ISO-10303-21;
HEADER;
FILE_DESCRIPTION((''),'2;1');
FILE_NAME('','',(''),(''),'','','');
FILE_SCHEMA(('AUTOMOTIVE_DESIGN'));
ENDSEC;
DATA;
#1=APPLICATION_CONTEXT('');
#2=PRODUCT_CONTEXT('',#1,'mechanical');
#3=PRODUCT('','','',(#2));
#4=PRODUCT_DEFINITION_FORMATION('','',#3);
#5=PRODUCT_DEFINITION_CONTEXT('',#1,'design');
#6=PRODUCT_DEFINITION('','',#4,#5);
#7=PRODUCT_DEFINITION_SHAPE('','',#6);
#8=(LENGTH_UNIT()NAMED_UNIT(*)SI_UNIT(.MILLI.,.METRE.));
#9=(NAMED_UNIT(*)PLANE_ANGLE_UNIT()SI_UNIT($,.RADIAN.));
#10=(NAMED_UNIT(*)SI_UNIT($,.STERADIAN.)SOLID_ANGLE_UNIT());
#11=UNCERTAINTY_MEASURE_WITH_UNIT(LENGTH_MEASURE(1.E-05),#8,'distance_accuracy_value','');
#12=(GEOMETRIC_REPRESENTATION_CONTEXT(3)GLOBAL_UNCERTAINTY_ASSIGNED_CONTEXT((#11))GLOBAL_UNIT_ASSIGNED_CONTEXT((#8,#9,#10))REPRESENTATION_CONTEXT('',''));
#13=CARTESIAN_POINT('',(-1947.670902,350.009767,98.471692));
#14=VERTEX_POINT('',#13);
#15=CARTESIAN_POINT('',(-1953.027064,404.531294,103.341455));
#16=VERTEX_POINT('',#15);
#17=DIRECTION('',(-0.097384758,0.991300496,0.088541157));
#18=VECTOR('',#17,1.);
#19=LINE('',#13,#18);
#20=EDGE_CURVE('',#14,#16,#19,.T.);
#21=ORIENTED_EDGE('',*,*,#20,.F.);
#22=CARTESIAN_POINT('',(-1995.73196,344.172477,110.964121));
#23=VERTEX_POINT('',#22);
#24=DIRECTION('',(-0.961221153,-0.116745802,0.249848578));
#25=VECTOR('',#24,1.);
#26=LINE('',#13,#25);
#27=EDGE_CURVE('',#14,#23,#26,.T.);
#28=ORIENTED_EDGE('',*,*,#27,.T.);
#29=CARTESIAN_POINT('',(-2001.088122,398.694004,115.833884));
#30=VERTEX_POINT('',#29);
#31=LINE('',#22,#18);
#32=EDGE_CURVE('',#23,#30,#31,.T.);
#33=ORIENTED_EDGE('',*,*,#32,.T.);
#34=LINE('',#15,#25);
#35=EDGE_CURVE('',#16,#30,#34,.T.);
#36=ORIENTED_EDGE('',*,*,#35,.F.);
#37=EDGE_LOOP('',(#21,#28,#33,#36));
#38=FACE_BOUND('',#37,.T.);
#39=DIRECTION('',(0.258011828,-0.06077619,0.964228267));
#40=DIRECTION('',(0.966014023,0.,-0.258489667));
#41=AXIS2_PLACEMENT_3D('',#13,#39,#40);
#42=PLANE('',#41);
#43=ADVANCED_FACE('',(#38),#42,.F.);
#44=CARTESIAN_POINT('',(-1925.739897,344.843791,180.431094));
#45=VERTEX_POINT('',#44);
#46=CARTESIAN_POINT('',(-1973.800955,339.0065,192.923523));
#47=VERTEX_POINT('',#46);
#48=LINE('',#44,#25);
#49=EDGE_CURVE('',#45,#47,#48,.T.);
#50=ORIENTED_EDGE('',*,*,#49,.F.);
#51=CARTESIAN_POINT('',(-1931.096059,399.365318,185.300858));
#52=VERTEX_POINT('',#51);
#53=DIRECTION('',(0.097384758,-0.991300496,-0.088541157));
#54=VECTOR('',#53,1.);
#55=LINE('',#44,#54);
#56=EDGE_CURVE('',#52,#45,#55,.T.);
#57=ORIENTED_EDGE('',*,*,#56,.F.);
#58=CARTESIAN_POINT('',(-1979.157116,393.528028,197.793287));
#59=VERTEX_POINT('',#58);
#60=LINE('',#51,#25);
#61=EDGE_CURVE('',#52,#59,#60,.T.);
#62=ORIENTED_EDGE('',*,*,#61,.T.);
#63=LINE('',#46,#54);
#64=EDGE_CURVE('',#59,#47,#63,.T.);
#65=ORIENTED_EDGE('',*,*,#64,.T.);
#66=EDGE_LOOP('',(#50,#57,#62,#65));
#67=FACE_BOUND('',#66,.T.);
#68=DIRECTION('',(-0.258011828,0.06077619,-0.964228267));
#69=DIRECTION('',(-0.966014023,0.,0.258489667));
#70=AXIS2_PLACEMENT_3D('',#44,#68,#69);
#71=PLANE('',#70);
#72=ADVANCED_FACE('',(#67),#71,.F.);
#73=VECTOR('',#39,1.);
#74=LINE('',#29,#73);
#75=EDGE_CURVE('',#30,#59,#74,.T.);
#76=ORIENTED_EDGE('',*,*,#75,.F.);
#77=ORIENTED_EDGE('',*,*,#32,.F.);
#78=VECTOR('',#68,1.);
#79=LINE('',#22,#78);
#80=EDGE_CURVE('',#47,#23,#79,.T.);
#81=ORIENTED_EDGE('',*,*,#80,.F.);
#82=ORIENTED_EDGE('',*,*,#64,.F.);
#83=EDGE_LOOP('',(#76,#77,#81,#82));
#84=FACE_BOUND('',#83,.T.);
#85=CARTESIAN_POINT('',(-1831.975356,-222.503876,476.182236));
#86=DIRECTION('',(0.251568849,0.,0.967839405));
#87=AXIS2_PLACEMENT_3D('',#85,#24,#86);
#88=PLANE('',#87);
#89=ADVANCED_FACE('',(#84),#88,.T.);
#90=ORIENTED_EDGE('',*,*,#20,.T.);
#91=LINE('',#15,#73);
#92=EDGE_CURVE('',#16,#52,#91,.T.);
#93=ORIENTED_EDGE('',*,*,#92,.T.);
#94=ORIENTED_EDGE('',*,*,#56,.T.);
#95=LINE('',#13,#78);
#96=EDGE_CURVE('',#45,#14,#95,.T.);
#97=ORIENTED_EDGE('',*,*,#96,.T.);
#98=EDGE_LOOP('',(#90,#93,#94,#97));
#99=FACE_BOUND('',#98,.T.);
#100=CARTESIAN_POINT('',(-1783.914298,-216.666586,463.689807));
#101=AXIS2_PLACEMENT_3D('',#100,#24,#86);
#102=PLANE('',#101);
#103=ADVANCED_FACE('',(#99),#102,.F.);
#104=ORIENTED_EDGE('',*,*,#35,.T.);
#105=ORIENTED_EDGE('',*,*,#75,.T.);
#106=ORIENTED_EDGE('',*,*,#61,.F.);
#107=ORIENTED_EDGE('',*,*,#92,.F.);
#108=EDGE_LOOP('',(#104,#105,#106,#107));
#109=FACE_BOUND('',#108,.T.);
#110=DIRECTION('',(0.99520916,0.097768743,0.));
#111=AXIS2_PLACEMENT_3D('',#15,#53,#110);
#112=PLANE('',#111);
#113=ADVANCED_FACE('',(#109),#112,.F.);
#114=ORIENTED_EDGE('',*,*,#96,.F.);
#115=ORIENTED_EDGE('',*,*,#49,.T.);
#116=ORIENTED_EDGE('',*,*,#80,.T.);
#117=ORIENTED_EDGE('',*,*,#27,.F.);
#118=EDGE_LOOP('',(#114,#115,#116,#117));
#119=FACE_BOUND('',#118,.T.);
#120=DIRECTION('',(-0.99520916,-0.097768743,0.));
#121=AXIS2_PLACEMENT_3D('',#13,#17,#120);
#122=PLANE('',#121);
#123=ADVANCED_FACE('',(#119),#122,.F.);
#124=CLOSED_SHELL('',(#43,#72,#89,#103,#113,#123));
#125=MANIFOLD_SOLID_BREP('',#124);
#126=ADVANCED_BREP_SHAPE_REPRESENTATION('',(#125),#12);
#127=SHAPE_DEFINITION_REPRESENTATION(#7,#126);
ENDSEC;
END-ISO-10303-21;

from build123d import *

# Parameters (mm, degrees)
SKETCH_2_W      = 55
SKETCH_2_H      = 85
EXTRUDE_1_DEPTH = 50


with BuildPart() as part:
    # 草图2 → 凸台-拉伸1 (new body)
    with BuildSketch(Plane(origin=(-1970.034425118, 250.688482387, 166.146144515), x_dir=(0.09738475766310611, -0.9913004955533004, -0.08854115704393853), z_dir=(0.9612211533070375, 0.11674580192282241, -0.24984857848001818))):
        with Locations((-117.787397724, 23.019936139)):
            Rectangle(SKETCH_2_W, SKETCH_2_H)
    extrude(amount=EXTRUDE_1_DEPTH)


solid = part.part
